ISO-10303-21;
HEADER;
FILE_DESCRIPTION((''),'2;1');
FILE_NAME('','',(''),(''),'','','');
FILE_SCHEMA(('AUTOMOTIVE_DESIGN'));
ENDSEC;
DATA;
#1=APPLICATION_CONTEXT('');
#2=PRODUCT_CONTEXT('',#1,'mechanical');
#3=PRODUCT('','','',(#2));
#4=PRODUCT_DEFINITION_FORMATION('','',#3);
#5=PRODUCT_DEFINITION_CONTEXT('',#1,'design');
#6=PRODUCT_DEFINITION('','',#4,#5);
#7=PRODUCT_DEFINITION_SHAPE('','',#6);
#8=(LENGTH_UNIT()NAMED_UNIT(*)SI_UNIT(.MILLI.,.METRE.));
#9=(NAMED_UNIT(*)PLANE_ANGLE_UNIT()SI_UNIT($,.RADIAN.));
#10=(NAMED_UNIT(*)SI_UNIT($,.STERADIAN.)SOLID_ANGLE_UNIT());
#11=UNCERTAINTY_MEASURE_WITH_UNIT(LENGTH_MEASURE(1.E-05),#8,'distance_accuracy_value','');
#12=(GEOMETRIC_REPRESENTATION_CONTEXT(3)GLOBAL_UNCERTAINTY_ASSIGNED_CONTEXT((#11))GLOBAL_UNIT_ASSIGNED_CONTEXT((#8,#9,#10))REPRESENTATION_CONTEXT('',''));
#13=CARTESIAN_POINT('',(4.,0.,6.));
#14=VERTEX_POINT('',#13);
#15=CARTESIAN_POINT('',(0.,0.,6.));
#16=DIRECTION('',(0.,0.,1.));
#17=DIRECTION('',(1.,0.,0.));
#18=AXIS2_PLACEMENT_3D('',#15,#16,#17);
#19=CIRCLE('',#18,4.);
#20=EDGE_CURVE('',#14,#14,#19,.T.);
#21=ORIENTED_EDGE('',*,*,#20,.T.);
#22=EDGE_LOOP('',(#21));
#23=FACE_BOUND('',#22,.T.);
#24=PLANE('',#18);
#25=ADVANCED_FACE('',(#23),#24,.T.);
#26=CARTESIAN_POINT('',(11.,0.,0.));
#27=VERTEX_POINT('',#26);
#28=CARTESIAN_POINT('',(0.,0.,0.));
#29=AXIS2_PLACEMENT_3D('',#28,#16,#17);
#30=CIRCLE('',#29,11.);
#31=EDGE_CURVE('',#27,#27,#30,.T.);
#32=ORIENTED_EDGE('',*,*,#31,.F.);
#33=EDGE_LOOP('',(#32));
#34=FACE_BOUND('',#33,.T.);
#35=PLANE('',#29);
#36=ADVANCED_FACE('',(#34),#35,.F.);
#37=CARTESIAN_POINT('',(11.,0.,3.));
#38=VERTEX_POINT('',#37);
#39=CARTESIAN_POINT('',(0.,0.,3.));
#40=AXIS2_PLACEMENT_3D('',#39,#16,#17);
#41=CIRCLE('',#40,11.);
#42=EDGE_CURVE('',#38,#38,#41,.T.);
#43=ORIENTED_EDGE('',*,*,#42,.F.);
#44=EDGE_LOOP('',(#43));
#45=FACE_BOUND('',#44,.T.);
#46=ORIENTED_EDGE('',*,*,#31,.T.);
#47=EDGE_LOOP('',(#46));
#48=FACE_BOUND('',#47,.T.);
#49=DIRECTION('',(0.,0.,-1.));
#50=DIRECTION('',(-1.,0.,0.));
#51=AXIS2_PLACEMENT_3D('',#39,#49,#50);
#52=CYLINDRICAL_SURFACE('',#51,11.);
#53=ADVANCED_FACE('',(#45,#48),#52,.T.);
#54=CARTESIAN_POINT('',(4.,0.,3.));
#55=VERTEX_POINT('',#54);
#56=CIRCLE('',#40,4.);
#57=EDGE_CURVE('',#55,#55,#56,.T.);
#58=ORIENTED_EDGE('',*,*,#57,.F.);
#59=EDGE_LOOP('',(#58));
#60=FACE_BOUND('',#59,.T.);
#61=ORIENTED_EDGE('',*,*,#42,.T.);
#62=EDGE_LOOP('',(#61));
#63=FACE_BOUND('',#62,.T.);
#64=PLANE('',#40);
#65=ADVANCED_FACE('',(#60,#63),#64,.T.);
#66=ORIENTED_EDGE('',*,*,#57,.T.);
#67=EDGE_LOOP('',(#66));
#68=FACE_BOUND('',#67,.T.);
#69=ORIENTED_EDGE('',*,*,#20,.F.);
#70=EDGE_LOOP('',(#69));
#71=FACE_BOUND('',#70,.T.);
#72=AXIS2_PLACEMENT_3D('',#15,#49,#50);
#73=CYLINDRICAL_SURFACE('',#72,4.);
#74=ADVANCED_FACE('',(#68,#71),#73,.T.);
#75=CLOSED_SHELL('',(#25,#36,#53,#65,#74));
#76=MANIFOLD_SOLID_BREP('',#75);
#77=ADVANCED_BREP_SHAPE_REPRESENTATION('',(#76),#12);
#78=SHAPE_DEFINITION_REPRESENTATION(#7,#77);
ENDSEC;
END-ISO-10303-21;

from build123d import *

# Parameters (mm, degrees)
SKETCH1_R           = 11
BOSS_EXTRUDE1_DEPTH = 3
SKETCH2_R           = 4
BOSS_EXTRUDE2_DEPTH = 3


with BuildPart() as part:
    # Sketch1 → Boss-Extrude1 (new body)
    with BuildSketch(Plane.XY):
        Circle(SKETCH1_R)
    extrude(amount=BOSS_EXTRUDE1_DEPTH)

    # Sketch2 → Boss-Extrude2 (add)
    with BuildSketch(Plane.XY.offset(3)):
        Circle(SKETCH2_R)
    extrude(amount=BOSS_EXTRUDE2_DEPTH)


solid = part.part
